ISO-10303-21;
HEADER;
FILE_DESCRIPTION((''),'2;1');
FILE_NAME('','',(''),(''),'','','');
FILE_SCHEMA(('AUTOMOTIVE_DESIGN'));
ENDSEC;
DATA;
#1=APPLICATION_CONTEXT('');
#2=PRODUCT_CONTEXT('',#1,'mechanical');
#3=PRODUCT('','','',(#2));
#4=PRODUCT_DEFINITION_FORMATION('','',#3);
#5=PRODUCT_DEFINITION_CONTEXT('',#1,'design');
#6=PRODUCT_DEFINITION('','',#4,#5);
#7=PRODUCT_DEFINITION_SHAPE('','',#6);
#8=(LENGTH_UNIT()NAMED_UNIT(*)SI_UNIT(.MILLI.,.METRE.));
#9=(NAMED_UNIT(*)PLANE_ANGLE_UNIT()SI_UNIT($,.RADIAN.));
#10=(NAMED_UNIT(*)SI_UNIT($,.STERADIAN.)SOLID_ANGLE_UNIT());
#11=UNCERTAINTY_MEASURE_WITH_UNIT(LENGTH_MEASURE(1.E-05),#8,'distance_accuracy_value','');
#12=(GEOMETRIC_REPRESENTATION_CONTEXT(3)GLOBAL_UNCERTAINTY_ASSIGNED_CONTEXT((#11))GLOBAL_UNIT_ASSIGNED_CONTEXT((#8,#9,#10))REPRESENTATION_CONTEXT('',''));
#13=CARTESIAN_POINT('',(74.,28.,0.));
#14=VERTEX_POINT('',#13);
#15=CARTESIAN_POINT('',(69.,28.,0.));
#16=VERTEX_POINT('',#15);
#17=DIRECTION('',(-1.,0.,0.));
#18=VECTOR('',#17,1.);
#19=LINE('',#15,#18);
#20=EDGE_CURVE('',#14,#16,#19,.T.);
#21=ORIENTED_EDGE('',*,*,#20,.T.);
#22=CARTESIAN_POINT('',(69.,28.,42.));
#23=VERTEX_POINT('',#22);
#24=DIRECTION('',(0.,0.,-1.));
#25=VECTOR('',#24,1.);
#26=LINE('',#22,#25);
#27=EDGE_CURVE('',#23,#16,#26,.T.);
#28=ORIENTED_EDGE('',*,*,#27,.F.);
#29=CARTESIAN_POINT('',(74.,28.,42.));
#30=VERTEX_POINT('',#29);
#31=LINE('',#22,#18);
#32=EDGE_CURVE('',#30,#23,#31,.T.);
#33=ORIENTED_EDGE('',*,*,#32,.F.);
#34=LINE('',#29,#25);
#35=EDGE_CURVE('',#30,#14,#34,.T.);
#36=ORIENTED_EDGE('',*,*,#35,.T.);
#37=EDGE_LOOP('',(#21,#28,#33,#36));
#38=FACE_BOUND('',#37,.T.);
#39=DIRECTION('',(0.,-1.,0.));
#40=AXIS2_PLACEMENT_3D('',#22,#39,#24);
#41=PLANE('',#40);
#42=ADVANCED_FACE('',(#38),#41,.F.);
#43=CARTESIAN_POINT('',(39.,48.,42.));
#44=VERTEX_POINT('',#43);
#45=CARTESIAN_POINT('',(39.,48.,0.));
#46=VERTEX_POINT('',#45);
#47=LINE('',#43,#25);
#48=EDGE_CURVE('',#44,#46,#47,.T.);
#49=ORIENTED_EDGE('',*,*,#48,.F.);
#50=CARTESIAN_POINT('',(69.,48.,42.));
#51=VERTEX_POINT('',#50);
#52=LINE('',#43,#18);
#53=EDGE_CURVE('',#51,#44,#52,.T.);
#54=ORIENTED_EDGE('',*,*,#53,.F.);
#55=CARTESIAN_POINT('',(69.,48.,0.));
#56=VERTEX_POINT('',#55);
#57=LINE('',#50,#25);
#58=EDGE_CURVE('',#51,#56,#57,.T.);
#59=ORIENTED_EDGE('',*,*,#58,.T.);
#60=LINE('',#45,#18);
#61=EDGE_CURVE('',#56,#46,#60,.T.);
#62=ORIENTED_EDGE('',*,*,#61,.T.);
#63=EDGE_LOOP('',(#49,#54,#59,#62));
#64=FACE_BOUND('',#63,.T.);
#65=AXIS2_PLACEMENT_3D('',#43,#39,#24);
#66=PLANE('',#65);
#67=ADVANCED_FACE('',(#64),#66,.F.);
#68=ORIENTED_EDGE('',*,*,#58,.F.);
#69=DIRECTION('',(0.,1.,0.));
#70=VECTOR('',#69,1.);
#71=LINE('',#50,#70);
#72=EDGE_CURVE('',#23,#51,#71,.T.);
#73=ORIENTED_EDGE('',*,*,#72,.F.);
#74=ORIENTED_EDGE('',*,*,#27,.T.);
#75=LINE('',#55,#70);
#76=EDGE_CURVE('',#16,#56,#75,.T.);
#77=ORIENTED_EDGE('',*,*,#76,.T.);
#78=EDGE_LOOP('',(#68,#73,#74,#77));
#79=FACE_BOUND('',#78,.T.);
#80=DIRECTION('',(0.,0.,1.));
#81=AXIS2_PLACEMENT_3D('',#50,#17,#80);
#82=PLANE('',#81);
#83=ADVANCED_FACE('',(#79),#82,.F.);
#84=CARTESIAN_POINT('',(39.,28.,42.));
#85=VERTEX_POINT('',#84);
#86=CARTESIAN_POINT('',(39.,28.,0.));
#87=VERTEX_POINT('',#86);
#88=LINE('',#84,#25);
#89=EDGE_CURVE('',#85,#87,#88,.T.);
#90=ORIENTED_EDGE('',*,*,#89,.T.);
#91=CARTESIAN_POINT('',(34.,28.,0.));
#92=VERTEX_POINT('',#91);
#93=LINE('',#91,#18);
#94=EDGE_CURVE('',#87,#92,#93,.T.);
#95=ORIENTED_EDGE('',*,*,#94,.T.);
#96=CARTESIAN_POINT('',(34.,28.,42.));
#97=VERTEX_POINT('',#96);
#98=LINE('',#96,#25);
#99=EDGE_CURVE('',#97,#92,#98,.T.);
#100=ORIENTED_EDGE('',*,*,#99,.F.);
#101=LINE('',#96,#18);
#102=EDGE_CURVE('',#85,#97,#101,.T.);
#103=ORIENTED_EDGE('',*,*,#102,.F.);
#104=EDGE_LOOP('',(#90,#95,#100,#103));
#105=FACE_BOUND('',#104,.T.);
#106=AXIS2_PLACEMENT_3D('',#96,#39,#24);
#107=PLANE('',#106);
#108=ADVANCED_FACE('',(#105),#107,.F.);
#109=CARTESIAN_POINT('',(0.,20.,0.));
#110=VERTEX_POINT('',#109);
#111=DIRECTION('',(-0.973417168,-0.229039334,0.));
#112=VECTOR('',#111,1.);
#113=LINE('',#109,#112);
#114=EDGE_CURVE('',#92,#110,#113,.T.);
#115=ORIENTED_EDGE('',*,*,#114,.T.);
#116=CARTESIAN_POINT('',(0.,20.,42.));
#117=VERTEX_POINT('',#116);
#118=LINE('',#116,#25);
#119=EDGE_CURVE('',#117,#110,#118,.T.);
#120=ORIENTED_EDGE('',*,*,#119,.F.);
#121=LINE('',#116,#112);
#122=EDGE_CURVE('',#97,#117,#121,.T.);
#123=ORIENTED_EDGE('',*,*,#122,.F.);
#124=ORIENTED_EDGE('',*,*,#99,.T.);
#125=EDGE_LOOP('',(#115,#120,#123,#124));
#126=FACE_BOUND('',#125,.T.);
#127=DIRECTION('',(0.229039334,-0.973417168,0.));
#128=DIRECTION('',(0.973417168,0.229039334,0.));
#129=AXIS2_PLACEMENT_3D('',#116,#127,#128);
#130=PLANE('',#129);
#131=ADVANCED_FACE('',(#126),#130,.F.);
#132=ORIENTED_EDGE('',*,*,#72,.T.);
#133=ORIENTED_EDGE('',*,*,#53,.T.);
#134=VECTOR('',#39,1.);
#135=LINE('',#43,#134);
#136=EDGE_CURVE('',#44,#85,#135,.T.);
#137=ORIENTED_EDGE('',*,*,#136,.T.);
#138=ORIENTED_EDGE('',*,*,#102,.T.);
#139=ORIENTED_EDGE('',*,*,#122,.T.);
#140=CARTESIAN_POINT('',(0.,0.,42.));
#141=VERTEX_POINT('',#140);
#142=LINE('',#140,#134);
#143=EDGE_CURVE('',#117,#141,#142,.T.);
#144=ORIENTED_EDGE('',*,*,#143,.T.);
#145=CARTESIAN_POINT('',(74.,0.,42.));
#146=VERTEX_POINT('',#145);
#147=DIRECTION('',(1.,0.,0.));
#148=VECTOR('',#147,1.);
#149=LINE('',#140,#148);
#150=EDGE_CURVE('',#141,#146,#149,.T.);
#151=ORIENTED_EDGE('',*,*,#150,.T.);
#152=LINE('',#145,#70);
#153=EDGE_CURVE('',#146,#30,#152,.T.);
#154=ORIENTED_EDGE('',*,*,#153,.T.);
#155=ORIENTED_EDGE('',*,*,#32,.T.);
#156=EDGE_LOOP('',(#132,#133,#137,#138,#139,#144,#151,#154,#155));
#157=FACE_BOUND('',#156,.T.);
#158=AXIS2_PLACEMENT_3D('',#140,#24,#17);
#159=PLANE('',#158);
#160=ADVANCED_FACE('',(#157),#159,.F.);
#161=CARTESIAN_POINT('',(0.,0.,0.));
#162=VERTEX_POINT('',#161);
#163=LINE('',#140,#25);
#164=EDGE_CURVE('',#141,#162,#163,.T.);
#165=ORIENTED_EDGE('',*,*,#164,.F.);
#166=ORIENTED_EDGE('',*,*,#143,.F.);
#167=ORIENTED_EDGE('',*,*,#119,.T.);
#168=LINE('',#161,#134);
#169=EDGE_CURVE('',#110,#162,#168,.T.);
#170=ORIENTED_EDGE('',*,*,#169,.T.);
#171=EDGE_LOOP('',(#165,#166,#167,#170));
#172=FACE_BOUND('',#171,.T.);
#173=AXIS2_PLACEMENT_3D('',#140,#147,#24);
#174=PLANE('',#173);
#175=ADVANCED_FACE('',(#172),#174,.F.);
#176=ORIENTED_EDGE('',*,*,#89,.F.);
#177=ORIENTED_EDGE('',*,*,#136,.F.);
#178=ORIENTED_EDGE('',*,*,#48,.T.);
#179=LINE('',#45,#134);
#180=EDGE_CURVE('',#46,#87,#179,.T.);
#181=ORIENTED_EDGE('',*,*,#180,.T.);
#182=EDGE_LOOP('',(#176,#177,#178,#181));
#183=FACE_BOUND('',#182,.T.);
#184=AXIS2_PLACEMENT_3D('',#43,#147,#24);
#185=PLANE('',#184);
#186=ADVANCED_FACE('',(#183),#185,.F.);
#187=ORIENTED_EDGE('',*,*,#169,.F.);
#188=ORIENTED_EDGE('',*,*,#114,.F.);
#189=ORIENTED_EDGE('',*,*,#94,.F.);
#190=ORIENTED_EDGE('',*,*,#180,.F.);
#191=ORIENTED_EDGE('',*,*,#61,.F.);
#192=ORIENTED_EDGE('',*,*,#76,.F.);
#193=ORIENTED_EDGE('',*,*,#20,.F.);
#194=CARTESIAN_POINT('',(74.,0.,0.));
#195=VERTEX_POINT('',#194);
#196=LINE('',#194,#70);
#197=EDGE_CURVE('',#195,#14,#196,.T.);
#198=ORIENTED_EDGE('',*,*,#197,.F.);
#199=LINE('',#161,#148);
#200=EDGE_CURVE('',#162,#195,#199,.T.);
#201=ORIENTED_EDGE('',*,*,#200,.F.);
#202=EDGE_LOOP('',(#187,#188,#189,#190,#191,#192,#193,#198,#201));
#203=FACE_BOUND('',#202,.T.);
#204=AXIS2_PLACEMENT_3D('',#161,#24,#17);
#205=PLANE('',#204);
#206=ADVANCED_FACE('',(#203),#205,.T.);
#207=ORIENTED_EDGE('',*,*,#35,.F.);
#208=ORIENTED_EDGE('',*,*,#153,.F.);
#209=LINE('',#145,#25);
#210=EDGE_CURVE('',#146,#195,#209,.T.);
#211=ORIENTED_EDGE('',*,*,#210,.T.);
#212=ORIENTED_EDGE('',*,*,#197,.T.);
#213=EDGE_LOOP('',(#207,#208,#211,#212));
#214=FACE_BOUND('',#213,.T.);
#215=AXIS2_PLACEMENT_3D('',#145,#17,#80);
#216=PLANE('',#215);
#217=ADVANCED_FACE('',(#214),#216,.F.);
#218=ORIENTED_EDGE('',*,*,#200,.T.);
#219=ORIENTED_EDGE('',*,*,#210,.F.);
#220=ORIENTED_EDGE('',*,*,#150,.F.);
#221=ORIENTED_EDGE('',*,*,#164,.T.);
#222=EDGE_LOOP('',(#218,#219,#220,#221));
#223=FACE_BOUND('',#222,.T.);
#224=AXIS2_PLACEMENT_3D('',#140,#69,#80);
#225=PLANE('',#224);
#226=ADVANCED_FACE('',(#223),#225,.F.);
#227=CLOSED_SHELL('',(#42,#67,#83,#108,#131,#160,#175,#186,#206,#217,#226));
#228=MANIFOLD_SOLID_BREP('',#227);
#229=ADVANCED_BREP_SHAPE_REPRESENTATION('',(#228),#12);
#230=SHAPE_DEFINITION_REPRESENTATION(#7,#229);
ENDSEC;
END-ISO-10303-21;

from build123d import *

# Parameters (mm, degrees)
BOSS_EXTRUDE1_DEPTH = 42


with BuildPart() as part:
    # Sketch1 → Boss-Extrude1 (new body)
    with BuildSketch(Plane.XY):
        Polygon((0, 20), (34, 28), (39, 28), (39, 48), (69, 48), (69, 28), (74, 28), (74, 0), (0, 0), align=None)
    extrude(amount=BOSS_EXTRUDE1_DEPTH)


solid = part.part
